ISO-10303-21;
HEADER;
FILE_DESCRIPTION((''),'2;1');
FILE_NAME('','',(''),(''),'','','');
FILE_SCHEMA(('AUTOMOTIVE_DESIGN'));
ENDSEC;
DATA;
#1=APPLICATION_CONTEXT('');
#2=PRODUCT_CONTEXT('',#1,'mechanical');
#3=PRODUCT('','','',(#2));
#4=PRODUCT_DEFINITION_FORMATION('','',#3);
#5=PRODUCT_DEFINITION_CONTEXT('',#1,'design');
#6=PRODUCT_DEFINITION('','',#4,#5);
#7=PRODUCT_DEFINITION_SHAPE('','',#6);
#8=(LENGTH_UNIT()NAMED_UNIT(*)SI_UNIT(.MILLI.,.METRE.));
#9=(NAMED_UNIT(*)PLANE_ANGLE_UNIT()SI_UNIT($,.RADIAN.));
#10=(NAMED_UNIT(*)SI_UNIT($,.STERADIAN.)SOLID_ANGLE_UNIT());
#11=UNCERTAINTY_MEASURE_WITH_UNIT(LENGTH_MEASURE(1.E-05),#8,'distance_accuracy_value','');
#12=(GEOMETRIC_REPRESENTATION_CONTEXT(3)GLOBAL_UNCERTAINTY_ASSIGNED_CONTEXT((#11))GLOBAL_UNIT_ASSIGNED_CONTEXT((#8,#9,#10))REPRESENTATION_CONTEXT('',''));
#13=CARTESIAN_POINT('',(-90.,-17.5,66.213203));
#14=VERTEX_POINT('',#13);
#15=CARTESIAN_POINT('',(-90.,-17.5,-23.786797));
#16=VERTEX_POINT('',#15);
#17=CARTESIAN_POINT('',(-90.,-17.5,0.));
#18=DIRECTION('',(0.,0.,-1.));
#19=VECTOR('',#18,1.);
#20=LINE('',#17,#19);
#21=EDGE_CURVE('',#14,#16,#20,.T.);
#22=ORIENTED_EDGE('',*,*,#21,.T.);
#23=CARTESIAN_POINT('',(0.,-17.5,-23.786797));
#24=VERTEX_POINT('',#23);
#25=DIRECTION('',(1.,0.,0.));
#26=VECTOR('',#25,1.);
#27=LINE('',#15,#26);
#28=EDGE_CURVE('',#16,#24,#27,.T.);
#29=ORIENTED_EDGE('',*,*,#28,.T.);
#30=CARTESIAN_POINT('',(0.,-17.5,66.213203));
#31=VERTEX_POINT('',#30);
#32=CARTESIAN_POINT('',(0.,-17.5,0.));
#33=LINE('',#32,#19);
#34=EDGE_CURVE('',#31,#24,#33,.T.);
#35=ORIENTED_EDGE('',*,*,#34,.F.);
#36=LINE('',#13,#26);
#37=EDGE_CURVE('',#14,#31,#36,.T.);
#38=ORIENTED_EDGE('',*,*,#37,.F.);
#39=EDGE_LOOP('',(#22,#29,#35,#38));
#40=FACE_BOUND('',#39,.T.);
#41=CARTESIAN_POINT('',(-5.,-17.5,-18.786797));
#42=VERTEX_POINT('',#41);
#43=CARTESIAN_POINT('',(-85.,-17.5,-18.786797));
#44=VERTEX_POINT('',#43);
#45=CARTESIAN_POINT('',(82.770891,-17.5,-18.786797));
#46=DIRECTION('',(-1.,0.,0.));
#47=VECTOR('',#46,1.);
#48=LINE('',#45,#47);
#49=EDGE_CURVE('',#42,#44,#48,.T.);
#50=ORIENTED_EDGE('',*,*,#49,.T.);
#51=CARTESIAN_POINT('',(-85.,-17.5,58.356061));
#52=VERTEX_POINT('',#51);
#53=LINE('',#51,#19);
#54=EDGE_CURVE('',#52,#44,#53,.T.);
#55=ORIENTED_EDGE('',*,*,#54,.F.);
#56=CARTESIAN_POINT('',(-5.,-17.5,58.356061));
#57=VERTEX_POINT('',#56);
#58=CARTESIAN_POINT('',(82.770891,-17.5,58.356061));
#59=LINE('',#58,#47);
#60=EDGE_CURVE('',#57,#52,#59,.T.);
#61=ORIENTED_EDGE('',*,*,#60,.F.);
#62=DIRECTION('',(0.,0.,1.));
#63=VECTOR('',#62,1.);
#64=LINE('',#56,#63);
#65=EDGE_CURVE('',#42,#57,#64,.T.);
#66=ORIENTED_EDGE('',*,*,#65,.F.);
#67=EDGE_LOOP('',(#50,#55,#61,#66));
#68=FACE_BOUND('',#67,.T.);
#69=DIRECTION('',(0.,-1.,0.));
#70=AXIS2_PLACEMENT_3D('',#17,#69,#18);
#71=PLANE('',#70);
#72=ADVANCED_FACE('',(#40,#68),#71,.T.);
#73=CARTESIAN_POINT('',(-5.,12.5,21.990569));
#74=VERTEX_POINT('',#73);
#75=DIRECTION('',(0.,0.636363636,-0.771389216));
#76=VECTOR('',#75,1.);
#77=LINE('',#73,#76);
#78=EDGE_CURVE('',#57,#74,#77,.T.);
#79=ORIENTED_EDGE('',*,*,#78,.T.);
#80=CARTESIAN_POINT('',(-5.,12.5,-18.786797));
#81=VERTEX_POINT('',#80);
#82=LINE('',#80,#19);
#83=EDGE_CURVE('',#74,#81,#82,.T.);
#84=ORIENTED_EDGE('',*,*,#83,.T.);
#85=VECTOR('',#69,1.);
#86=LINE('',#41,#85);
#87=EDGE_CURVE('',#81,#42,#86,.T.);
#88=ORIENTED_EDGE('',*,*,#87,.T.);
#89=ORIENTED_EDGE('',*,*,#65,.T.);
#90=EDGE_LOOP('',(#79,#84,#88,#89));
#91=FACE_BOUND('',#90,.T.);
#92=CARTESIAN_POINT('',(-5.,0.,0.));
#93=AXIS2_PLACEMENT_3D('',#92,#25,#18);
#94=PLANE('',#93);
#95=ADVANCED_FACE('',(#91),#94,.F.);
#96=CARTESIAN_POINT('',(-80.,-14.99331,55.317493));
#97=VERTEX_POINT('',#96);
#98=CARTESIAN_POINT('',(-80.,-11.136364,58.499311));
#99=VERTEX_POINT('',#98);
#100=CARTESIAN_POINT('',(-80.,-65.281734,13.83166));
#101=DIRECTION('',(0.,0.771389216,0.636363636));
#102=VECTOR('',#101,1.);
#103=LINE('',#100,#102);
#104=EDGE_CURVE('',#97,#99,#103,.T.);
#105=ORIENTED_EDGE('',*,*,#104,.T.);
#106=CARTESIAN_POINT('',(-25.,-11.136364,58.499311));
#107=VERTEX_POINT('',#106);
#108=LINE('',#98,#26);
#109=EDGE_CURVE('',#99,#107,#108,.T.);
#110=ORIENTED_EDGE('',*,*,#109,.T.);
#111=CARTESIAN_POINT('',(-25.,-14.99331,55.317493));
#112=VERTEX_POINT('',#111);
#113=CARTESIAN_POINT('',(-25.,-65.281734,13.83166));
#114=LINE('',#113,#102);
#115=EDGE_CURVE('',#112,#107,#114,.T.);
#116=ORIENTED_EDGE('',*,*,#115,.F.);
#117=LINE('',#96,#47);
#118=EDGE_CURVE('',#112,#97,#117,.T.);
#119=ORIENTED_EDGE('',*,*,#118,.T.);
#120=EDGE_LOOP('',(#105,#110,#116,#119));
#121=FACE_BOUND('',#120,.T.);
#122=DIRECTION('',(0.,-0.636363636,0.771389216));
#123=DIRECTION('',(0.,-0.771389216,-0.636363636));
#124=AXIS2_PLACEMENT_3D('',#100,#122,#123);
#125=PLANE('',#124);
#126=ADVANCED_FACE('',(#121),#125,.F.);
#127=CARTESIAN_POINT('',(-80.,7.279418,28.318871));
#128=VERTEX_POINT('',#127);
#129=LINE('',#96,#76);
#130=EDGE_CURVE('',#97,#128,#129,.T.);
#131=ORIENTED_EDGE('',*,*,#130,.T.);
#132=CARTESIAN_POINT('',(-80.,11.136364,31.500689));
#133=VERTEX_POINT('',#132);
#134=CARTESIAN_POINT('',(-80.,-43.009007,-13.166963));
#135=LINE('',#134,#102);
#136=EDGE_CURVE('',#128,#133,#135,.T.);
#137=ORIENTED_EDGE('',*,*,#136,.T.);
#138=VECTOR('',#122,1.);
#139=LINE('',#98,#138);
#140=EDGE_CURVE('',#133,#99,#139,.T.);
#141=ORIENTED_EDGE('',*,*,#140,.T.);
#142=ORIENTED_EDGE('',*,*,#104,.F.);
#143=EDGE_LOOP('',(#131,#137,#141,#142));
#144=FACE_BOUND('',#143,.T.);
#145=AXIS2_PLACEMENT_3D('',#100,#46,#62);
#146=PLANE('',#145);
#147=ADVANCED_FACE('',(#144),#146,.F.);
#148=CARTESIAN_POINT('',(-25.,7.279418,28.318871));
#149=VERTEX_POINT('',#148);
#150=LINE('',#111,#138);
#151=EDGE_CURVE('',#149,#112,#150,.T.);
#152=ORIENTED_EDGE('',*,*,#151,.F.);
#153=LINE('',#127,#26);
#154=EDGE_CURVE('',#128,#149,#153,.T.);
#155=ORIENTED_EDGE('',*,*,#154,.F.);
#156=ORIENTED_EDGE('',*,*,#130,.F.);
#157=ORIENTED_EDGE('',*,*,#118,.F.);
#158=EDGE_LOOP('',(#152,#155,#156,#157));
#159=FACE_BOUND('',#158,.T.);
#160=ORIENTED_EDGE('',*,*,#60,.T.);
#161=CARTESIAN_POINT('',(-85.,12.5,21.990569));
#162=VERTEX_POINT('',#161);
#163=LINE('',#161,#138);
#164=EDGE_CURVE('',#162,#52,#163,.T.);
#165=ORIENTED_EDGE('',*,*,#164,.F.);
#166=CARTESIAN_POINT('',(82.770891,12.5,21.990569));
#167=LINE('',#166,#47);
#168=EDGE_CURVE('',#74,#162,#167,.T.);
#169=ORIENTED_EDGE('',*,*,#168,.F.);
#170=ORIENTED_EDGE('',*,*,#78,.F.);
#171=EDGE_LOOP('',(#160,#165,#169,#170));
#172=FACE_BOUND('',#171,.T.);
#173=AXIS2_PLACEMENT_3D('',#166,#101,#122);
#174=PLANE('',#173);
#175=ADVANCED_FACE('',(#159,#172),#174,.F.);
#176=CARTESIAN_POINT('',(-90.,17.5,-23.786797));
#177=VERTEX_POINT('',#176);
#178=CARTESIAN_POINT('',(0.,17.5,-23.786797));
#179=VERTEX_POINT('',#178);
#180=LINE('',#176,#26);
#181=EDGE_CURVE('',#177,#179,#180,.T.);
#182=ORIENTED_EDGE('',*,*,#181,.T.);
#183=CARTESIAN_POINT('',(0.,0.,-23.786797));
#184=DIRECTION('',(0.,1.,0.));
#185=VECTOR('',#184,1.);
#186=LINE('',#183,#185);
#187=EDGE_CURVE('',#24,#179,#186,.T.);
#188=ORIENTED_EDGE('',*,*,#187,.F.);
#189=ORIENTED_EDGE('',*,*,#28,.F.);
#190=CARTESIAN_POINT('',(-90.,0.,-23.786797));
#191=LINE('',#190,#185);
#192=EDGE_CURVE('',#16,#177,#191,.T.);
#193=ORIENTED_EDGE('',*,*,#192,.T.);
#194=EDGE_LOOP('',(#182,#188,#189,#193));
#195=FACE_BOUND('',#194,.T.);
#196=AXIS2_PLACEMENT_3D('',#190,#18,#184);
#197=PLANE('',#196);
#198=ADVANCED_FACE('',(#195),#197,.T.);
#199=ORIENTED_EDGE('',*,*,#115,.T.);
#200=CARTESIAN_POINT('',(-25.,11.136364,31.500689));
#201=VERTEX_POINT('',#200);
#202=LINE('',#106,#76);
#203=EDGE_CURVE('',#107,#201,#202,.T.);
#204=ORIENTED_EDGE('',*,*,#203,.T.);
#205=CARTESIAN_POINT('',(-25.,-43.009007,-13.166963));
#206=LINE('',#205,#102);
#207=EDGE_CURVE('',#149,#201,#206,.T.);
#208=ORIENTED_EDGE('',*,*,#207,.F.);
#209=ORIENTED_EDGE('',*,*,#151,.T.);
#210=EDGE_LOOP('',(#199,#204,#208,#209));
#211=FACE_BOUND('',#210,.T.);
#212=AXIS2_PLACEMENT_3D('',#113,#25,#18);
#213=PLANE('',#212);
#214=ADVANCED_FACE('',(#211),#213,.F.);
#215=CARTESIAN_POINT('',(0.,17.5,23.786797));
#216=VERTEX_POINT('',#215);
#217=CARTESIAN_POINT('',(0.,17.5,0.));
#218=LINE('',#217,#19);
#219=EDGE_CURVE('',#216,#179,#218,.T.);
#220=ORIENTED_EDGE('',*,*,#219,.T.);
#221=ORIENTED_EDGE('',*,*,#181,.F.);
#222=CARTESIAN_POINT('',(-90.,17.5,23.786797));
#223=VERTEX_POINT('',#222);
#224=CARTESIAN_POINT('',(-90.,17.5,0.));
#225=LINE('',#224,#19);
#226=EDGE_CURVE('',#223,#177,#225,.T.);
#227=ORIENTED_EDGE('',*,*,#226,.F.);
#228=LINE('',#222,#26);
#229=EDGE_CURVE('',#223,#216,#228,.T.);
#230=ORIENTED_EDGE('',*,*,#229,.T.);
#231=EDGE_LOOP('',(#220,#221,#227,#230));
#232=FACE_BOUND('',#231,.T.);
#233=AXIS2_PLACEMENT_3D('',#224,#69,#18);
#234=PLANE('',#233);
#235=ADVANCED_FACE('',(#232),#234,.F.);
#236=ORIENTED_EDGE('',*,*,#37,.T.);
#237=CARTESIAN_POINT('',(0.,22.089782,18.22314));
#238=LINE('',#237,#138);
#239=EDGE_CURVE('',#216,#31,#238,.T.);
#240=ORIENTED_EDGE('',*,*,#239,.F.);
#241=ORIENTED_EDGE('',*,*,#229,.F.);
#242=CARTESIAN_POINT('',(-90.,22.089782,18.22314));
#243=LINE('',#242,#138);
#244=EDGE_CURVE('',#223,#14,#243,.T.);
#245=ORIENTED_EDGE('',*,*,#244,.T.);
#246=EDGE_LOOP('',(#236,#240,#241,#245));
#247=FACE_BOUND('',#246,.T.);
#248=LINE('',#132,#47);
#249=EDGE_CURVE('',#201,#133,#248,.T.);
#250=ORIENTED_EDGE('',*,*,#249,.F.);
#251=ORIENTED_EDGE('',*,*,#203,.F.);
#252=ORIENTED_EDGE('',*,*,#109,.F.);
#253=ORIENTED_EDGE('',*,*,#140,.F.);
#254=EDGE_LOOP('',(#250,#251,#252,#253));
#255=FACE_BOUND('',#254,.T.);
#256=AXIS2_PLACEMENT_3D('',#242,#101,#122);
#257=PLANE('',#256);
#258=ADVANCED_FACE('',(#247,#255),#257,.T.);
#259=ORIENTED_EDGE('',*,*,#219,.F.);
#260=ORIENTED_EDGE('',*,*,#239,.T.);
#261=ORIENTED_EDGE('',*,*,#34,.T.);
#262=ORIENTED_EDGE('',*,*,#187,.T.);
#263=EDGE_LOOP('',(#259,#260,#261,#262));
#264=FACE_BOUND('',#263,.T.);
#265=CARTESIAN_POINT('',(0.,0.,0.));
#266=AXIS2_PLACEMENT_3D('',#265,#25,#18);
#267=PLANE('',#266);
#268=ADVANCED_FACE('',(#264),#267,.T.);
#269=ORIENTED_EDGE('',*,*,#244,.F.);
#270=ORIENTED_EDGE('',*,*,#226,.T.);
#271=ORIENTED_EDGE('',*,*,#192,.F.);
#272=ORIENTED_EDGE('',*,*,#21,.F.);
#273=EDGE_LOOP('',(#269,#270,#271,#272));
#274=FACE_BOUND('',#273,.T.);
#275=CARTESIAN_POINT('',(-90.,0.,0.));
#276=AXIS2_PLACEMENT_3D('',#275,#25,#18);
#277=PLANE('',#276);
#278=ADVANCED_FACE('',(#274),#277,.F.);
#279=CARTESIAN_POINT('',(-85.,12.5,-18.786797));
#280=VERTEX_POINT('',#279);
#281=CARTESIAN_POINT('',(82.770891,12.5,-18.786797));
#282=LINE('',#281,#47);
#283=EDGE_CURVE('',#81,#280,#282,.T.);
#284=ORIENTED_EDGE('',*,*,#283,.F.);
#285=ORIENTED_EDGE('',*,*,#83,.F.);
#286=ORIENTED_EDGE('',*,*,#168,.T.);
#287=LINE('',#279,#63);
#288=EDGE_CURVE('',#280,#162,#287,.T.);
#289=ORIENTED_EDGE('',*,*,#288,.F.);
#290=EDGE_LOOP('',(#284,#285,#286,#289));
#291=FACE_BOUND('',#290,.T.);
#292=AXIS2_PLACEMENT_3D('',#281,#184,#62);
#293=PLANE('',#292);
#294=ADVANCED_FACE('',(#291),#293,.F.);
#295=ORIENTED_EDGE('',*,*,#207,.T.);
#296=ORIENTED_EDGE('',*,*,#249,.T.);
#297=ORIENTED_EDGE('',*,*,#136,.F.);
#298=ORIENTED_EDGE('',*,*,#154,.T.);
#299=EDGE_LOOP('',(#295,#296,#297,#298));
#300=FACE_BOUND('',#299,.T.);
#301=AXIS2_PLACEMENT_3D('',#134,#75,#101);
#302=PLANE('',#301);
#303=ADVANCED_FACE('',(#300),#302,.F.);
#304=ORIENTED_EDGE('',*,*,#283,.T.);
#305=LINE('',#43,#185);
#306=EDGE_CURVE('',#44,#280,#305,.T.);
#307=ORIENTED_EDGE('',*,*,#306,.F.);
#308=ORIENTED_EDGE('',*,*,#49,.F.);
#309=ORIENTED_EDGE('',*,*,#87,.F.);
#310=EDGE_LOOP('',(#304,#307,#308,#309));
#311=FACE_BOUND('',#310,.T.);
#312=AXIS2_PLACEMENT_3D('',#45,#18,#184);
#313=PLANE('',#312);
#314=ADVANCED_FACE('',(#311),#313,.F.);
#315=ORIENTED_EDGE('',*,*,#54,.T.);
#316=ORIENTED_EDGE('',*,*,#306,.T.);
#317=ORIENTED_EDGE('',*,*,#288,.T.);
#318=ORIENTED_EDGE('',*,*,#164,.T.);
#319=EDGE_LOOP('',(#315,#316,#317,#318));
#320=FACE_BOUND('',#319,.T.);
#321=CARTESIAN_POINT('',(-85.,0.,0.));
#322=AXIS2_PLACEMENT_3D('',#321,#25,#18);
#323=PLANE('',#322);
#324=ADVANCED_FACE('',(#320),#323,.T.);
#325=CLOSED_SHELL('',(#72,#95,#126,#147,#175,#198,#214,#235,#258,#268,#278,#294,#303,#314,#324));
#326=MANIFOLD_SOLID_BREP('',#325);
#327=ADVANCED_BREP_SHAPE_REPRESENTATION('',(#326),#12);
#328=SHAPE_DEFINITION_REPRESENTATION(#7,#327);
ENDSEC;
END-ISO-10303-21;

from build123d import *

# Parameters (mm, degrees)
SKETCH2_W               = 47.573593128
SKETCH2_H               = 35
BOSS_EXTRUDE1_DEPTH     = 90
CUT_EXTRUDE1_DEPTH      = 40
CUT_EXTRUDE1_DEPTH_BACK = 40
SKETCH4_W               = 55
SKETCH4_H               = 35
CUT_EXTRUDE2_DEPTH      = 5


with BuildPart() as part:
    # Sketch2 → Boss-Extrude1 (new body)
    with BuildSketch(Plane(origin=(0, 0, 0), x_dir=(0, 0, -1), z_dir=(1, 0, 0))):
        Polygon((-23.786796564, 17.5), (-66.213203436, -17.5), (-23.786796564, -17.5), align=None)
        Rectangle(SKETCH2_W, SKETCH2_H)
        Polygon((-21.990568975, 12.5), (-23.786796564, 11.018187839), (-23.786796564, -17.5), (18.786796564, -17.5), (18.786796564, 12.5), align=None)
        Polygon((-23.786796564, -17.5), (-23.786796564, 11.018187839), (-58.356060578, -17.5), align=None)
    extrude(amount=-BOSS_EXTRUDE1_DEPTH)

    # Sketch3 → Cut-Extrude1 (cut, two sides: drawn at the far end of the back side and taken through both)
    with BuildSketch(Plane.ZY.offset(45).offset(-CUT_EXTRUDE1_DEPTH_BACK)):
        Polygon((-18.786796564, -17.5), (-18.786796564, 12.5), (21.990568975, 12.5), (58.356060578, -17.5), align=None)
    extrude(amount=CUT_EXTRUDE1_DEPTH + CUT_EXTRUDE1_DEPTH_BACK, mode=Mode.SUBTRACT)

    # Sketch4 → Cut-Extrude2 (cut)
    with BuildSketch(Plane(origin=(0, 22.08978209, 18.223140496), x_dir=(1, 0, 0), z_dir=(0, 0.77138921583987, 0.6363636363636365))):
        with Locations((-52.5, -34.712514713)):
            Rectangle(SKETCH4_W, SKETCH4_H)
    extrude(amount=-CUT_EXTRUDE2_DEPTH, mode=Mode.SUBTRACT)


solid = part.part
